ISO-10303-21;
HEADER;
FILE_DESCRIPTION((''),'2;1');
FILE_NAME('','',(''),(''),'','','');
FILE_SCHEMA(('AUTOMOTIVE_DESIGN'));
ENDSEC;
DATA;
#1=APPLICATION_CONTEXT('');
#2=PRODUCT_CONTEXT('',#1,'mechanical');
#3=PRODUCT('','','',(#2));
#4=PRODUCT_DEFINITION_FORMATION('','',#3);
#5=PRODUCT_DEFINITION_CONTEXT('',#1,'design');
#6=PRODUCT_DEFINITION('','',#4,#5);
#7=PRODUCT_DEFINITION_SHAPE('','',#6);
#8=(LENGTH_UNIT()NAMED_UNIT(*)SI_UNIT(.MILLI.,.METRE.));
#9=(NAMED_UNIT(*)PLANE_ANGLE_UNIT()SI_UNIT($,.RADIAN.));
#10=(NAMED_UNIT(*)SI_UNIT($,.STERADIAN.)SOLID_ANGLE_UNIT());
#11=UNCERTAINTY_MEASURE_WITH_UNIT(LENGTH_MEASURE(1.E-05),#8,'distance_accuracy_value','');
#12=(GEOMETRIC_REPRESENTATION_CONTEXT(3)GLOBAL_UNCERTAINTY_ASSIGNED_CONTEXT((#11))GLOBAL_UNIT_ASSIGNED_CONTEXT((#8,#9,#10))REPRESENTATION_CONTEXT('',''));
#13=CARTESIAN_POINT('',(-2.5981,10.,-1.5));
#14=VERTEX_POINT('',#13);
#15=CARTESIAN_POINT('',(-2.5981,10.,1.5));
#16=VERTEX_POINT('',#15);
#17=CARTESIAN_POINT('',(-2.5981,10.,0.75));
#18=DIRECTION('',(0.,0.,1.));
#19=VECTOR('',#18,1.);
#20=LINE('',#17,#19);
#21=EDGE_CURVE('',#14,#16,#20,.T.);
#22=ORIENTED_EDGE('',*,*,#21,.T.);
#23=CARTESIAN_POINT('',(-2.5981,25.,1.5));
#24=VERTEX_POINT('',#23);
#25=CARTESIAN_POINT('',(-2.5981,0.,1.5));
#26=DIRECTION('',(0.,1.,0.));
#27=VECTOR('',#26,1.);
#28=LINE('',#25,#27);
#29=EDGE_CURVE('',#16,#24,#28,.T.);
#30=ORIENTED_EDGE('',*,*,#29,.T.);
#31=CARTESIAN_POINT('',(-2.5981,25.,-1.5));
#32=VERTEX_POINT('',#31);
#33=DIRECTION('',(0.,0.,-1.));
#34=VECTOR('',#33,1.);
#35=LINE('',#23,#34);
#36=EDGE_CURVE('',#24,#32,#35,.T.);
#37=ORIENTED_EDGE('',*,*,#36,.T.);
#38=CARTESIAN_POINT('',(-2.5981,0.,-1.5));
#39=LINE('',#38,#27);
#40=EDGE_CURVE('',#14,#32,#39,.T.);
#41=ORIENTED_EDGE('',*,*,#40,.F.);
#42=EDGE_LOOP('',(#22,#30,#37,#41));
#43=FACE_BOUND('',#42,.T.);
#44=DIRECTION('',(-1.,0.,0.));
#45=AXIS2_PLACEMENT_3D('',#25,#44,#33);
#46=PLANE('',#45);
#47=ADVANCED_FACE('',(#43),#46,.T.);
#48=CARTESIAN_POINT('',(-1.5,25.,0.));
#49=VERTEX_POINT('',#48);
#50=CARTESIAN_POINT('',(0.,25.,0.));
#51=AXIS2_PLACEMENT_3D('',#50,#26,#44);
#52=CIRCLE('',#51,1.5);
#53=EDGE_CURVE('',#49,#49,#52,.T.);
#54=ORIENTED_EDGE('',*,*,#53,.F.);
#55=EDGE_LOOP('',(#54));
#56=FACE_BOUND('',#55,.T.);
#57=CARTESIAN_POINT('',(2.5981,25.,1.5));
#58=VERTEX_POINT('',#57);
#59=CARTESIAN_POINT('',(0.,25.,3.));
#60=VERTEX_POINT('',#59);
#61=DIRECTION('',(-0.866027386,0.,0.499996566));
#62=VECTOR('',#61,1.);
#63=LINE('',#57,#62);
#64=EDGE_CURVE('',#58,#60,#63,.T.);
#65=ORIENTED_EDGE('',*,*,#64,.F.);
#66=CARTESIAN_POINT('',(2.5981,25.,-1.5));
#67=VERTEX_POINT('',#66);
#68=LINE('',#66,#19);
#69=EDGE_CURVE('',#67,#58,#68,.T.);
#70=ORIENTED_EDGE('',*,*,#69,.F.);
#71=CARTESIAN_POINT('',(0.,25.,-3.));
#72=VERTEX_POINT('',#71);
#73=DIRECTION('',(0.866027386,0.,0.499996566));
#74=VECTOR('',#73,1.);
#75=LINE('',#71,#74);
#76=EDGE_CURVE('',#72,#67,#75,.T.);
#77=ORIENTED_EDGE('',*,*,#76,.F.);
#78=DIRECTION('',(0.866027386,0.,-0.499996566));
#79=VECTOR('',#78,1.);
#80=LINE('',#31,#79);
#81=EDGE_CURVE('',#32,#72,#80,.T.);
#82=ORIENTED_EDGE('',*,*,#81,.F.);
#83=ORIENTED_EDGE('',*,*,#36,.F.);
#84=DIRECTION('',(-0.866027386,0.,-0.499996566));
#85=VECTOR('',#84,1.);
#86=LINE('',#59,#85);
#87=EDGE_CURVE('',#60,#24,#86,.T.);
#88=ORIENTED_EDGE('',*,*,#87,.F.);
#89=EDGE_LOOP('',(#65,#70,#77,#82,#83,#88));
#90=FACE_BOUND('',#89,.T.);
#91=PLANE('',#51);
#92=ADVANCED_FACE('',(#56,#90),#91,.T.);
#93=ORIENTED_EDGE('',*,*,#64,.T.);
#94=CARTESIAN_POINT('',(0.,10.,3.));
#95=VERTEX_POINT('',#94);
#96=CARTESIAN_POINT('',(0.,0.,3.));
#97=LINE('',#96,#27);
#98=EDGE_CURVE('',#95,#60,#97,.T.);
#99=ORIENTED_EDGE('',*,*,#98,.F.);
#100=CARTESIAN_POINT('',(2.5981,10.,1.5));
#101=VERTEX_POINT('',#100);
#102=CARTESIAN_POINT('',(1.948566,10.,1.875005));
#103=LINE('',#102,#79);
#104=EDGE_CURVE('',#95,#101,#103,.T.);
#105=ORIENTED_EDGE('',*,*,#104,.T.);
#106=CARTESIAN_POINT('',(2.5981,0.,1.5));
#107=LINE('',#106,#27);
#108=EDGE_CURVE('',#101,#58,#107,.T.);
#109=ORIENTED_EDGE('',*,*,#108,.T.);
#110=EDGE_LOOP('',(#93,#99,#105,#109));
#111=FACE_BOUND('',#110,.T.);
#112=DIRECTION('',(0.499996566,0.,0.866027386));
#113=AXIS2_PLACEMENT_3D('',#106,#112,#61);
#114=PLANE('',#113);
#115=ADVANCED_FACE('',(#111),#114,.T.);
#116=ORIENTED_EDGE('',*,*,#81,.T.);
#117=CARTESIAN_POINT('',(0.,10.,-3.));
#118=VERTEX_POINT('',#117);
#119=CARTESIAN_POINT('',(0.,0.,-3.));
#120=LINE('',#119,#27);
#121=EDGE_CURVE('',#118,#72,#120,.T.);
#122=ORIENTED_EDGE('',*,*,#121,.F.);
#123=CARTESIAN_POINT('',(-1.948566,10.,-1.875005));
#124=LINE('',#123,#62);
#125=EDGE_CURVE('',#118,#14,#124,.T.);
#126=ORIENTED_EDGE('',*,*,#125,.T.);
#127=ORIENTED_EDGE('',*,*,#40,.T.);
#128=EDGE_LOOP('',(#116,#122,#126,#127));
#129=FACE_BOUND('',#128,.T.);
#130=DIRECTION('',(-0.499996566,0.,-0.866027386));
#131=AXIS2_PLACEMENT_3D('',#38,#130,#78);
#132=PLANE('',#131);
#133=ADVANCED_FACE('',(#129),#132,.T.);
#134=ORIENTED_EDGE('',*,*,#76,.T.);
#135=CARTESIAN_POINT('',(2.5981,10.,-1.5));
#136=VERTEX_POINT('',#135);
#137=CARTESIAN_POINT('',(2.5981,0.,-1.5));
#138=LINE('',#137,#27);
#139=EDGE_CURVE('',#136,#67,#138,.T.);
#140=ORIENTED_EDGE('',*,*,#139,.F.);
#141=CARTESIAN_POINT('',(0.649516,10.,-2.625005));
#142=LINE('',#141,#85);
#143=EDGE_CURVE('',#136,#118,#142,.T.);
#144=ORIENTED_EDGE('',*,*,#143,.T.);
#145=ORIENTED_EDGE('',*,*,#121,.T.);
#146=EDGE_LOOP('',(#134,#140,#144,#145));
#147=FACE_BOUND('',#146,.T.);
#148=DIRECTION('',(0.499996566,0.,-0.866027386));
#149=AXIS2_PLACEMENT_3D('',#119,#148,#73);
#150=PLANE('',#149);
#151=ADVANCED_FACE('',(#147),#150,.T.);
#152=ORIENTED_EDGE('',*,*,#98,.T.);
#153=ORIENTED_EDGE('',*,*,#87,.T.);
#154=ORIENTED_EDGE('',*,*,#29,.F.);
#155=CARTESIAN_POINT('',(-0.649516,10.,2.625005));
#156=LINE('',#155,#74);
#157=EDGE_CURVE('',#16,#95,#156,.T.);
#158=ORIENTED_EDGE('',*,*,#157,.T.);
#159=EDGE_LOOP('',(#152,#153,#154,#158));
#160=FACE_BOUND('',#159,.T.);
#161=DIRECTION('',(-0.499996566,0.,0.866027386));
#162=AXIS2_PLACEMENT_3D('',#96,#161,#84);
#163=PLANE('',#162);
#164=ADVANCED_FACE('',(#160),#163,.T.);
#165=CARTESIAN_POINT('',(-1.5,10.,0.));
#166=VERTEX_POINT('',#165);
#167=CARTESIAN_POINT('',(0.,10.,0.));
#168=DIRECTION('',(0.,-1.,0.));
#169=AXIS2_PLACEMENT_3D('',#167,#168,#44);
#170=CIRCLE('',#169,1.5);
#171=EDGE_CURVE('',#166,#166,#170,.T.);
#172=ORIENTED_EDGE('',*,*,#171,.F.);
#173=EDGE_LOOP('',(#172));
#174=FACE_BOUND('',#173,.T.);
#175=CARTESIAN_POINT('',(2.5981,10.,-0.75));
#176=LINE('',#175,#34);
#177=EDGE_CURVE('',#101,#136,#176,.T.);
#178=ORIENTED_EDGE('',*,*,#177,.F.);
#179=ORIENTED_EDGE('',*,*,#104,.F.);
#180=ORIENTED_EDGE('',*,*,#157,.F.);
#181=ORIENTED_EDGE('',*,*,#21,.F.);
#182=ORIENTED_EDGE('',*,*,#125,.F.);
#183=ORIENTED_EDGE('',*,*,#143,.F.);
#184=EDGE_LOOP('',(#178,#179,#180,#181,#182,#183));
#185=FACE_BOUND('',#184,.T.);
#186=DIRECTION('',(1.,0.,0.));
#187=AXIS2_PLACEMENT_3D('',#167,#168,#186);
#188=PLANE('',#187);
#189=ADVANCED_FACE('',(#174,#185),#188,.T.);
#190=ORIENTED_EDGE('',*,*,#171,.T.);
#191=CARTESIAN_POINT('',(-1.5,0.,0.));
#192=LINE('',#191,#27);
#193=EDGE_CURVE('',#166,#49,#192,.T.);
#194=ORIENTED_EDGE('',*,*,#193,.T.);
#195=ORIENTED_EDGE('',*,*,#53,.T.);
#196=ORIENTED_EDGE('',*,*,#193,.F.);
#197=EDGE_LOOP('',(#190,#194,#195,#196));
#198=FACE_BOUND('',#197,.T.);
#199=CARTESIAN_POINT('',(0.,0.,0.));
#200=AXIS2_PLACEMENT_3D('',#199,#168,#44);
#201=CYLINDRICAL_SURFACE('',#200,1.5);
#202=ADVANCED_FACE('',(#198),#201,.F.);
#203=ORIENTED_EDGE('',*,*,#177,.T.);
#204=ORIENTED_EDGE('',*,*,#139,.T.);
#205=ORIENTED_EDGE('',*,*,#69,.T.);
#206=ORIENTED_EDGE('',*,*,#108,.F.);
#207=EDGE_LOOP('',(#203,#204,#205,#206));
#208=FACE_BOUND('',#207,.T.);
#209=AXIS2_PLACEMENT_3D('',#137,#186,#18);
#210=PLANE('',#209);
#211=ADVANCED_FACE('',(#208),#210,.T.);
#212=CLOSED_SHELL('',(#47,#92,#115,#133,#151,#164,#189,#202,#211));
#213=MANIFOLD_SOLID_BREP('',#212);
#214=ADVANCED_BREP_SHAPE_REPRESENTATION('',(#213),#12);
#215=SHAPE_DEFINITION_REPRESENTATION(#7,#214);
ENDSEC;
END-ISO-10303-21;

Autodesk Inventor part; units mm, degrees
ref_plane "YZ Plane" through (0, 0, 0) normal (1, 0, 0) x (0, 1, 0)
ref_plane "XZ Plane" through (0, 0, 0) normal (0, 1, 0) x (-1, 0, 0)
ref_plane "XY Plane" through (0, 0, 0) normal (0, 0, 1) x (1, 0, 0)
sketch "Sketch1" plane through (0, 0, 0) normal (0, 1, 0) x (-1, 0, 0)
  circle A0 centre (0, 0) radius 1.5
  line L0 (0, -3) -> (-2.5981, -1.5)
  line L1 (-2.5981, -1.5) -> (-2.5981, 1.5)
  line L2 (-2.5981, 1.5) -> (0, 3)
  line L3 (0, 3) -> (2.5981, 1.5)
  line L4 (2.5981, 1.5) -> (2.5981, -1.5)
  line L5 (2.5981, -1.5) -> (0, -3)
  dimension "d0" = 3
  dimension "d1" = 3
extrude "Extrusion1" add sketch "Sketch1" along normal blind 25
thread "Thread1" size "M3x0.5" class "6H" standard "ANSI Metric M Profile" full length
sketch "Sketch2" plane through (0, 0, 0) normal (0, -1, 0) x (1, 0, 0)
  line L0 (-5.778, -4.3605) -> (5.778, -4.3605)
  line L1 (5.778, -4.3605) -> (5.778, 4.3605)
  line L2 (5.778, 4.3605) -> (-5.778, 4.3605)
  line L3 (-5.778, 4.3605) -> (-5.778, -4.3605)
  line L4 (-5.778, -4.3605) -> (5.778, 4.3605) construction
  line L5 (5.778, -4.3605) -> (-5.778, 4.3605) construction
  point P0 (0, 0)
extrude "Extrusion2" cut sketch "Sketch2" against normal blind 10
properties part number "dist25mm" material "Nylon 6/6"
